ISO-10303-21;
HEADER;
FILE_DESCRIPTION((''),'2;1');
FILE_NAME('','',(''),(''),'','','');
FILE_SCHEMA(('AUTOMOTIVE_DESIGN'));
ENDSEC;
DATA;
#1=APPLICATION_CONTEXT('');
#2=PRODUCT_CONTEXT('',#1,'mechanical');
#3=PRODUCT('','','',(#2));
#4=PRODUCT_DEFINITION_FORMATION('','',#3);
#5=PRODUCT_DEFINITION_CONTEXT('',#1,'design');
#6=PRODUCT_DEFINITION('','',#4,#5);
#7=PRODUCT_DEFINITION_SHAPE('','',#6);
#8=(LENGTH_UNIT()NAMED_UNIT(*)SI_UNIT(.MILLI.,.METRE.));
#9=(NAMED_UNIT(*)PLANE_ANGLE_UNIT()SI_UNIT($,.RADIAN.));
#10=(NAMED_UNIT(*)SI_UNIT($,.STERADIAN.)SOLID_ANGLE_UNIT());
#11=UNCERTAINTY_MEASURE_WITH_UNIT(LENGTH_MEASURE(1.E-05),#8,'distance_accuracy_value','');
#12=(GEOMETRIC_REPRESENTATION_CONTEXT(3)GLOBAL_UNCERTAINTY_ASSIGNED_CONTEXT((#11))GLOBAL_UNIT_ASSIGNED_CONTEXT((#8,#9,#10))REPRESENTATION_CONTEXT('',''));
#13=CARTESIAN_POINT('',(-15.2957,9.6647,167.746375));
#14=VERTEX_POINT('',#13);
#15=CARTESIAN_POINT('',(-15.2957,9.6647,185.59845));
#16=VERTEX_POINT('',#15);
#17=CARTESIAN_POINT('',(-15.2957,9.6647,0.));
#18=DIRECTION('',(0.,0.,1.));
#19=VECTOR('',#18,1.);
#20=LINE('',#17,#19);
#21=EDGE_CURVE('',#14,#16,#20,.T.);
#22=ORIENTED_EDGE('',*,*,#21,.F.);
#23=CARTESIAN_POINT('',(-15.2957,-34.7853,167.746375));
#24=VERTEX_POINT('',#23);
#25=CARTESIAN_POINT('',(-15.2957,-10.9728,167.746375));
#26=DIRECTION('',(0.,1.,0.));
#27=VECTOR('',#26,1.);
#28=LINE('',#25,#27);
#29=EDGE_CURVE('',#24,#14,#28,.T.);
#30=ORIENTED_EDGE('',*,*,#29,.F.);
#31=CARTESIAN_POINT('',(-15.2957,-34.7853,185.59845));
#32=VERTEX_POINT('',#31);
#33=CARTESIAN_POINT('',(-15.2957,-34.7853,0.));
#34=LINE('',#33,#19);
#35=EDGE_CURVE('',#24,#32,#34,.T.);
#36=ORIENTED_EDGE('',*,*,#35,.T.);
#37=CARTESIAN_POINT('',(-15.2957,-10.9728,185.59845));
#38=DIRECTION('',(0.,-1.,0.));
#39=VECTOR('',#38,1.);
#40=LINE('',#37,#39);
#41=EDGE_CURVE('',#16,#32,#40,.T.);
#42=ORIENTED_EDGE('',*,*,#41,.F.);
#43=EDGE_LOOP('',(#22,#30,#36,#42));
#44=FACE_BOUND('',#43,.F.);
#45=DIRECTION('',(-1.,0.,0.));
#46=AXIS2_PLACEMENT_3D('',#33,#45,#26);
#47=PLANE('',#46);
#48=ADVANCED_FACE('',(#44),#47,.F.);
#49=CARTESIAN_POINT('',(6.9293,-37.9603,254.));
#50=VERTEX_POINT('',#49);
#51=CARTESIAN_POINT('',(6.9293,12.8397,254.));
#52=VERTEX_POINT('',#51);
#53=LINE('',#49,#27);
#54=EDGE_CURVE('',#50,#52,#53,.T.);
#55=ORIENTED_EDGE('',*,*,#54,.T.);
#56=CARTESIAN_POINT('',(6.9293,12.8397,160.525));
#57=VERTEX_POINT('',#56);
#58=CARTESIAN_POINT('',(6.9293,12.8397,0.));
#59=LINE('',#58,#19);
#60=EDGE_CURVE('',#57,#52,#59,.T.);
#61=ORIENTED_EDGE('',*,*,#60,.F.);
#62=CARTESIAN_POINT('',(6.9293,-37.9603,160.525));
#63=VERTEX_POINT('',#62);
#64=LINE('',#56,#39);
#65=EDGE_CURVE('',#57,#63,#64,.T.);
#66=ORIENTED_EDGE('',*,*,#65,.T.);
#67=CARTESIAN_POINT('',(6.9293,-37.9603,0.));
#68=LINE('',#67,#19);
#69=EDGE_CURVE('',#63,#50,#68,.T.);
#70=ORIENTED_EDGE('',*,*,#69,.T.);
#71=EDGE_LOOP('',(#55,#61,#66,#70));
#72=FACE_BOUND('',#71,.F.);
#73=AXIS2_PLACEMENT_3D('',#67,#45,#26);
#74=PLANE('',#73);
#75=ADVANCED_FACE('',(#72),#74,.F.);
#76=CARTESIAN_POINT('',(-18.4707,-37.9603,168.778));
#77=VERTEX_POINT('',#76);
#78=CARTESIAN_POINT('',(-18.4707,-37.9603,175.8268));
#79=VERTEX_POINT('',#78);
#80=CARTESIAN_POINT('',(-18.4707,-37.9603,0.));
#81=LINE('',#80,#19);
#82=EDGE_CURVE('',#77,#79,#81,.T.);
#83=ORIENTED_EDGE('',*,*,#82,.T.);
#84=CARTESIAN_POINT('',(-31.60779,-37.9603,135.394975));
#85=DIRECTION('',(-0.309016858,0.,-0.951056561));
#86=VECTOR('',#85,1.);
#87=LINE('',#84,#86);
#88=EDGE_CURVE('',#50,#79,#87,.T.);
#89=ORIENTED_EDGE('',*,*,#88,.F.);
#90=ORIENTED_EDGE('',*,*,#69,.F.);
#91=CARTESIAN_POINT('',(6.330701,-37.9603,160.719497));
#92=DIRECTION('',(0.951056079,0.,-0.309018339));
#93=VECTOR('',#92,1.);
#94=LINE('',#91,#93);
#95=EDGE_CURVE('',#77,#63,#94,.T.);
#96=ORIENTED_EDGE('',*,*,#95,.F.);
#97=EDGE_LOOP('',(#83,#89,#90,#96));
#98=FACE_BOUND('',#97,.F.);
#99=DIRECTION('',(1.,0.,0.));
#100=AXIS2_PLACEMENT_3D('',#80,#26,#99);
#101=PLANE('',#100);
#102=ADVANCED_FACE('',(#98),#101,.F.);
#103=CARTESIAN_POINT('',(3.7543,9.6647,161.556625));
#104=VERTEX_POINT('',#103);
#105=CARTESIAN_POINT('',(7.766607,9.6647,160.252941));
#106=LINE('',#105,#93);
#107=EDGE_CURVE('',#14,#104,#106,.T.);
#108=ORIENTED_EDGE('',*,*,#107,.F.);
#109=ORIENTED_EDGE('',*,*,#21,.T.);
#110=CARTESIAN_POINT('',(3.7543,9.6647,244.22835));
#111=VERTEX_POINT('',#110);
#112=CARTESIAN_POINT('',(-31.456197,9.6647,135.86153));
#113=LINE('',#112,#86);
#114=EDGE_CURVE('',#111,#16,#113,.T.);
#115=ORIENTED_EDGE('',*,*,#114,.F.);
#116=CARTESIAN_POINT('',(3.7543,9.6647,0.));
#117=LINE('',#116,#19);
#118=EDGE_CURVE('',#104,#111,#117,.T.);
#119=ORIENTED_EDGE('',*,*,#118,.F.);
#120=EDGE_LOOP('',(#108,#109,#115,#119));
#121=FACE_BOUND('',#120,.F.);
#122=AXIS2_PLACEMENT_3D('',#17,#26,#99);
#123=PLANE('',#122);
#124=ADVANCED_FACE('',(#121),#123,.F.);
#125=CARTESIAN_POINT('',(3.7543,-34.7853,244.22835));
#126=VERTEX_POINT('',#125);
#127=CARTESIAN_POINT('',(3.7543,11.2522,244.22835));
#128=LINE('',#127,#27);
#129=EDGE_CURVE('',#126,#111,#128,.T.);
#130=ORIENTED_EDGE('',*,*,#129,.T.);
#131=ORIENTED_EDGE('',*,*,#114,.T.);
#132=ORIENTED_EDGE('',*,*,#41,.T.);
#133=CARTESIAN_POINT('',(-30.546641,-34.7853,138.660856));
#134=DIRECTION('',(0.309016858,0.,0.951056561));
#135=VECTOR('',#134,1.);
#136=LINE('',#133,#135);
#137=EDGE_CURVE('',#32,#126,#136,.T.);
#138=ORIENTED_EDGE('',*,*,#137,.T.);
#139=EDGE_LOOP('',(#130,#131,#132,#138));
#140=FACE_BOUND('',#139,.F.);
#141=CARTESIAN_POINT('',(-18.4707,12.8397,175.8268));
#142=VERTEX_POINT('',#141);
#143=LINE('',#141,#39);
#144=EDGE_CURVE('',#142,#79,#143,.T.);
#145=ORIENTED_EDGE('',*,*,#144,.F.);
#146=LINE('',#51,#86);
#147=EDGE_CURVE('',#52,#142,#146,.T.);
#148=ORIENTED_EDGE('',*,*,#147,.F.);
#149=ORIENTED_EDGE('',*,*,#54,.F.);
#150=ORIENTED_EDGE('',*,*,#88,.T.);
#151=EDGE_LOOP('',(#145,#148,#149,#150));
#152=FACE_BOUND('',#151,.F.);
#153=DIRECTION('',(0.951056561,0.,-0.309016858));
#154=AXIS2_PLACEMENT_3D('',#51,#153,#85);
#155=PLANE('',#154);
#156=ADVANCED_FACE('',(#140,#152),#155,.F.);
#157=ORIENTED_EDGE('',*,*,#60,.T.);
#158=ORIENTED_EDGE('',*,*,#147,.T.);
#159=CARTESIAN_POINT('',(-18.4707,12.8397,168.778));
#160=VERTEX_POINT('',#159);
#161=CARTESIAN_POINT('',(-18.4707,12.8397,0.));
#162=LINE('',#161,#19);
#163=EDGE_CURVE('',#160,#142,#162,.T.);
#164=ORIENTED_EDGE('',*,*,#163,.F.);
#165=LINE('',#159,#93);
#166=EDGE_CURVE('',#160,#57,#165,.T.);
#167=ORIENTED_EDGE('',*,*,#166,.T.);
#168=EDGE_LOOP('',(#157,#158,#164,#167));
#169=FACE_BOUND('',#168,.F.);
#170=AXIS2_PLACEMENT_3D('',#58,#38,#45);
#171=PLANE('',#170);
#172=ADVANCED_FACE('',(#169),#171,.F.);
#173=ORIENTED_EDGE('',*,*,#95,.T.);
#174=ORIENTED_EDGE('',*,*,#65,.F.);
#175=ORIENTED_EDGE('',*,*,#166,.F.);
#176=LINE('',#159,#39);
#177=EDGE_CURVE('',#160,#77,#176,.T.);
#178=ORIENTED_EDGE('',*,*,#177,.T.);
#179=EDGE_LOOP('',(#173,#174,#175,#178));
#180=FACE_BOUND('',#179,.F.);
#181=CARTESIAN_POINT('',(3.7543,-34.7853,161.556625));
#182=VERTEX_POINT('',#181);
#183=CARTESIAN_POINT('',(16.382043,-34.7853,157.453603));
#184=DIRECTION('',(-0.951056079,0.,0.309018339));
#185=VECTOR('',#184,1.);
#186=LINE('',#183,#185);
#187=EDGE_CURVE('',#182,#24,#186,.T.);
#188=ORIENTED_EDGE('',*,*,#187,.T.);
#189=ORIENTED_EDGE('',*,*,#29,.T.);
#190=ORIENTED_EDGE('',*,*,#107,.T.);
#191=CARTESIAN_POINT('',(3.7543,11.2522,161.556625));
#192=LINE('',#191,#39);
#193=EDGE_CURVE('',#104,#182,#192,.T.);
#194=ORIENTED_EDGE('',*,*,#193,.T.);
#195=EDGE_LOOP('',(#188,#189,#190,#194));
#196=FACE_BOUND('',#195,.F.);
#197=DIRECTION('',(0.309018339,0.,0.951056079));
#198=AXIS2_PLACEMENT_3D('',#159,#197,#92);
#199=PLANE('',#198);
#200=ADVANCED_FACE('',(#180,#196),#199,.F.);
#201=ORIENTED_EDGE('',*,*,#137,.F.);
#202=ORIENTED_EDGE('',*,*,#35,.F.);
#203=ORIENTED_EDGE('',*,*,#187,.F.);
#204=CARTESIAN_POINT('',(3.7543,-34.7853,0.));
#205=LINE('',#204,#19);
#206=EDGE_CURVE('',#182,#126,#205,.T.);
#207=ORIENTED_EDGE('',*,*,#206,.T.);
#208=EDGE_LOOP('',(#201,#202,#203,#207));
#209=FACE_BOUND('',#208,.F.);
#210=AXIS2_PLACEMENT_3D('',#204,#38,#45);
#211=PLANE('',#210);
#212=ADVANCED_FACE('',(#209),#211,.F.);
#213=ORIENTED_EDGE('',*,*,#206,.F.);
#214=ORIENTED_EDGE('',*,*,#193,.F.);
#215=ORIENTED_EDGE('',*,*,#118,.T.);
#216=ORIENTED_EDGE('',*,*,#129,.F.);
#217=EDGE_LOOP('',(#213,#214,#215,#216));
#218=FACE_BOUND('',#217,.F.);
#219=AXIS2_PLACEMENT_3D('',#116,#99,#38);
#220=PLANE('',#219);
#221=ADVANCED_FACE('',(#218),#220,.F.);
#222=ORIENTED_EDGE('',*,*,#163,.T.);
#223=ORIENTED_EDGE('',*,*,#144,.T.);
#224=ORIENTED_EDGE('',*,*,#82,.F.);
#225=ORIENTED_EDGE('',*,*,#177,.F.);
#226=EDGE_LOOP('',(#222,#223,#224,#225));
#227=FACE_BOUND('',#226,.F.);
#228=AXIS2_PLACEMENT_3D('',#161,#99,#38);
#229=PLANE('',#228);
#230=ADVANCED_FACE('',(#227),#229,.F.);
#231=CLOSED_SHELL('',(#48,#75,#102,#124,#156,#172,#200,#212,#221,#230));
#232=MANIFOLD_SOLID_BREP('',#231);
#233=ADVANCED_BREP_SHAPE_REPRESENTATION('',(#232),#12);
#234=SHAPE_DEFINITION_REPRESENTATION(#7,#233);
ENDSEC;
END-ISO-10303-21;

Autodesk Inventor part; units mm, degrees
ref_plane "YZ Plane" through (0, 0, 0) normal (1, 0, 0) x (0, 1, 0)
ref_plane "XZ Plane" through (0, 0, 0) normal (0, 1, 0) x (-1, 0, 0)
ref_plane "XY Plane" through (0, 0, 0) normal (0, 0, 1) x (1, 0, 0)
sketch "Sketch1" plane through (0, 0, 0) normal (0, 0, 1) x (1, 0, 0)
  line L0 (6.9293, 12.8397) -> (-18.4707, 12.8397)
  line L1 (-18.4707, 12.8397) -> (-18.4707, -37.9603)
  line L2 (-18.4707, -37.9603) -> (6.9293, -37.9603)
  line L3 (6.9293, -37.9603) -> (6.9293, 12.8397)
  line L4 (-15.2957, 9.6647) -> (3.7543, 9.6647)
  line L5 (3.7543, 9.6647) -> (3.7543, -34.7853)
  line L6 (3.7543, -34.7853) -> (-15.2957, -34.7853)
  line L7 (-15.2957, -34.7853) -> (-15.2957, 9.6647)
  point P0 (0, 0)
  dimension "d0" = 25.4
  dimension "d1" = 50.8
  dimension "d2" = 3.175
extrude "Extrusion1" add sketch "Sketch1" along normal blind 254
sketch "Sketch2" plane through (-18.4707, 12.8397, 0) normal (0, 1, 0) x (1, 0, 0)
  line L0 (0, -254) -> (25.4, -254) projected
  line L1 (25.4, 0) -> (25.4, -254) projected
  line L2 (25.4, 0) -> (0, 0) projected
  line L3 (0, 0) -> (0, -254) projected
  line L4 (25.4, -254) -> (0, -175.8268)
  line L5 (25.4, -254) -> (114.3, -254) construction
  line L6 (0, -168.778) -> (25.4, -160.525)
  line L7 (25.4, -160.525) -> (25.4, -254)
  line L8 (0, -175.8268) -> (0, -168.778)
  point P0 (18.4707, 0)
  dimension "d6" = 108
extrude "Extrusion2" cut sketch "Sketch2" against normal blind 254 contours L3 L4 L0 | L6 L3 L2 L1
equation "\"BendRadius\" = Thickness"
equation "\"BendReliefWidth\" = Thickness"
equation "\"BendReliefDepth\" = 0.5 * Thickness"
equation "\"CornerReliefSize\" = 4 * Thickness"
equation "\"MinimumRemnant\" = 2 * Thickness"
equation "\"TransitionRadius\" = BendRadius"
equation "\"JacobiRadiusSize\" = BendRadius"
equation "\"GapSize\" = Thickness"
equation "\"Thickness\" = 3.048"
properties part number "Goal Guide"
